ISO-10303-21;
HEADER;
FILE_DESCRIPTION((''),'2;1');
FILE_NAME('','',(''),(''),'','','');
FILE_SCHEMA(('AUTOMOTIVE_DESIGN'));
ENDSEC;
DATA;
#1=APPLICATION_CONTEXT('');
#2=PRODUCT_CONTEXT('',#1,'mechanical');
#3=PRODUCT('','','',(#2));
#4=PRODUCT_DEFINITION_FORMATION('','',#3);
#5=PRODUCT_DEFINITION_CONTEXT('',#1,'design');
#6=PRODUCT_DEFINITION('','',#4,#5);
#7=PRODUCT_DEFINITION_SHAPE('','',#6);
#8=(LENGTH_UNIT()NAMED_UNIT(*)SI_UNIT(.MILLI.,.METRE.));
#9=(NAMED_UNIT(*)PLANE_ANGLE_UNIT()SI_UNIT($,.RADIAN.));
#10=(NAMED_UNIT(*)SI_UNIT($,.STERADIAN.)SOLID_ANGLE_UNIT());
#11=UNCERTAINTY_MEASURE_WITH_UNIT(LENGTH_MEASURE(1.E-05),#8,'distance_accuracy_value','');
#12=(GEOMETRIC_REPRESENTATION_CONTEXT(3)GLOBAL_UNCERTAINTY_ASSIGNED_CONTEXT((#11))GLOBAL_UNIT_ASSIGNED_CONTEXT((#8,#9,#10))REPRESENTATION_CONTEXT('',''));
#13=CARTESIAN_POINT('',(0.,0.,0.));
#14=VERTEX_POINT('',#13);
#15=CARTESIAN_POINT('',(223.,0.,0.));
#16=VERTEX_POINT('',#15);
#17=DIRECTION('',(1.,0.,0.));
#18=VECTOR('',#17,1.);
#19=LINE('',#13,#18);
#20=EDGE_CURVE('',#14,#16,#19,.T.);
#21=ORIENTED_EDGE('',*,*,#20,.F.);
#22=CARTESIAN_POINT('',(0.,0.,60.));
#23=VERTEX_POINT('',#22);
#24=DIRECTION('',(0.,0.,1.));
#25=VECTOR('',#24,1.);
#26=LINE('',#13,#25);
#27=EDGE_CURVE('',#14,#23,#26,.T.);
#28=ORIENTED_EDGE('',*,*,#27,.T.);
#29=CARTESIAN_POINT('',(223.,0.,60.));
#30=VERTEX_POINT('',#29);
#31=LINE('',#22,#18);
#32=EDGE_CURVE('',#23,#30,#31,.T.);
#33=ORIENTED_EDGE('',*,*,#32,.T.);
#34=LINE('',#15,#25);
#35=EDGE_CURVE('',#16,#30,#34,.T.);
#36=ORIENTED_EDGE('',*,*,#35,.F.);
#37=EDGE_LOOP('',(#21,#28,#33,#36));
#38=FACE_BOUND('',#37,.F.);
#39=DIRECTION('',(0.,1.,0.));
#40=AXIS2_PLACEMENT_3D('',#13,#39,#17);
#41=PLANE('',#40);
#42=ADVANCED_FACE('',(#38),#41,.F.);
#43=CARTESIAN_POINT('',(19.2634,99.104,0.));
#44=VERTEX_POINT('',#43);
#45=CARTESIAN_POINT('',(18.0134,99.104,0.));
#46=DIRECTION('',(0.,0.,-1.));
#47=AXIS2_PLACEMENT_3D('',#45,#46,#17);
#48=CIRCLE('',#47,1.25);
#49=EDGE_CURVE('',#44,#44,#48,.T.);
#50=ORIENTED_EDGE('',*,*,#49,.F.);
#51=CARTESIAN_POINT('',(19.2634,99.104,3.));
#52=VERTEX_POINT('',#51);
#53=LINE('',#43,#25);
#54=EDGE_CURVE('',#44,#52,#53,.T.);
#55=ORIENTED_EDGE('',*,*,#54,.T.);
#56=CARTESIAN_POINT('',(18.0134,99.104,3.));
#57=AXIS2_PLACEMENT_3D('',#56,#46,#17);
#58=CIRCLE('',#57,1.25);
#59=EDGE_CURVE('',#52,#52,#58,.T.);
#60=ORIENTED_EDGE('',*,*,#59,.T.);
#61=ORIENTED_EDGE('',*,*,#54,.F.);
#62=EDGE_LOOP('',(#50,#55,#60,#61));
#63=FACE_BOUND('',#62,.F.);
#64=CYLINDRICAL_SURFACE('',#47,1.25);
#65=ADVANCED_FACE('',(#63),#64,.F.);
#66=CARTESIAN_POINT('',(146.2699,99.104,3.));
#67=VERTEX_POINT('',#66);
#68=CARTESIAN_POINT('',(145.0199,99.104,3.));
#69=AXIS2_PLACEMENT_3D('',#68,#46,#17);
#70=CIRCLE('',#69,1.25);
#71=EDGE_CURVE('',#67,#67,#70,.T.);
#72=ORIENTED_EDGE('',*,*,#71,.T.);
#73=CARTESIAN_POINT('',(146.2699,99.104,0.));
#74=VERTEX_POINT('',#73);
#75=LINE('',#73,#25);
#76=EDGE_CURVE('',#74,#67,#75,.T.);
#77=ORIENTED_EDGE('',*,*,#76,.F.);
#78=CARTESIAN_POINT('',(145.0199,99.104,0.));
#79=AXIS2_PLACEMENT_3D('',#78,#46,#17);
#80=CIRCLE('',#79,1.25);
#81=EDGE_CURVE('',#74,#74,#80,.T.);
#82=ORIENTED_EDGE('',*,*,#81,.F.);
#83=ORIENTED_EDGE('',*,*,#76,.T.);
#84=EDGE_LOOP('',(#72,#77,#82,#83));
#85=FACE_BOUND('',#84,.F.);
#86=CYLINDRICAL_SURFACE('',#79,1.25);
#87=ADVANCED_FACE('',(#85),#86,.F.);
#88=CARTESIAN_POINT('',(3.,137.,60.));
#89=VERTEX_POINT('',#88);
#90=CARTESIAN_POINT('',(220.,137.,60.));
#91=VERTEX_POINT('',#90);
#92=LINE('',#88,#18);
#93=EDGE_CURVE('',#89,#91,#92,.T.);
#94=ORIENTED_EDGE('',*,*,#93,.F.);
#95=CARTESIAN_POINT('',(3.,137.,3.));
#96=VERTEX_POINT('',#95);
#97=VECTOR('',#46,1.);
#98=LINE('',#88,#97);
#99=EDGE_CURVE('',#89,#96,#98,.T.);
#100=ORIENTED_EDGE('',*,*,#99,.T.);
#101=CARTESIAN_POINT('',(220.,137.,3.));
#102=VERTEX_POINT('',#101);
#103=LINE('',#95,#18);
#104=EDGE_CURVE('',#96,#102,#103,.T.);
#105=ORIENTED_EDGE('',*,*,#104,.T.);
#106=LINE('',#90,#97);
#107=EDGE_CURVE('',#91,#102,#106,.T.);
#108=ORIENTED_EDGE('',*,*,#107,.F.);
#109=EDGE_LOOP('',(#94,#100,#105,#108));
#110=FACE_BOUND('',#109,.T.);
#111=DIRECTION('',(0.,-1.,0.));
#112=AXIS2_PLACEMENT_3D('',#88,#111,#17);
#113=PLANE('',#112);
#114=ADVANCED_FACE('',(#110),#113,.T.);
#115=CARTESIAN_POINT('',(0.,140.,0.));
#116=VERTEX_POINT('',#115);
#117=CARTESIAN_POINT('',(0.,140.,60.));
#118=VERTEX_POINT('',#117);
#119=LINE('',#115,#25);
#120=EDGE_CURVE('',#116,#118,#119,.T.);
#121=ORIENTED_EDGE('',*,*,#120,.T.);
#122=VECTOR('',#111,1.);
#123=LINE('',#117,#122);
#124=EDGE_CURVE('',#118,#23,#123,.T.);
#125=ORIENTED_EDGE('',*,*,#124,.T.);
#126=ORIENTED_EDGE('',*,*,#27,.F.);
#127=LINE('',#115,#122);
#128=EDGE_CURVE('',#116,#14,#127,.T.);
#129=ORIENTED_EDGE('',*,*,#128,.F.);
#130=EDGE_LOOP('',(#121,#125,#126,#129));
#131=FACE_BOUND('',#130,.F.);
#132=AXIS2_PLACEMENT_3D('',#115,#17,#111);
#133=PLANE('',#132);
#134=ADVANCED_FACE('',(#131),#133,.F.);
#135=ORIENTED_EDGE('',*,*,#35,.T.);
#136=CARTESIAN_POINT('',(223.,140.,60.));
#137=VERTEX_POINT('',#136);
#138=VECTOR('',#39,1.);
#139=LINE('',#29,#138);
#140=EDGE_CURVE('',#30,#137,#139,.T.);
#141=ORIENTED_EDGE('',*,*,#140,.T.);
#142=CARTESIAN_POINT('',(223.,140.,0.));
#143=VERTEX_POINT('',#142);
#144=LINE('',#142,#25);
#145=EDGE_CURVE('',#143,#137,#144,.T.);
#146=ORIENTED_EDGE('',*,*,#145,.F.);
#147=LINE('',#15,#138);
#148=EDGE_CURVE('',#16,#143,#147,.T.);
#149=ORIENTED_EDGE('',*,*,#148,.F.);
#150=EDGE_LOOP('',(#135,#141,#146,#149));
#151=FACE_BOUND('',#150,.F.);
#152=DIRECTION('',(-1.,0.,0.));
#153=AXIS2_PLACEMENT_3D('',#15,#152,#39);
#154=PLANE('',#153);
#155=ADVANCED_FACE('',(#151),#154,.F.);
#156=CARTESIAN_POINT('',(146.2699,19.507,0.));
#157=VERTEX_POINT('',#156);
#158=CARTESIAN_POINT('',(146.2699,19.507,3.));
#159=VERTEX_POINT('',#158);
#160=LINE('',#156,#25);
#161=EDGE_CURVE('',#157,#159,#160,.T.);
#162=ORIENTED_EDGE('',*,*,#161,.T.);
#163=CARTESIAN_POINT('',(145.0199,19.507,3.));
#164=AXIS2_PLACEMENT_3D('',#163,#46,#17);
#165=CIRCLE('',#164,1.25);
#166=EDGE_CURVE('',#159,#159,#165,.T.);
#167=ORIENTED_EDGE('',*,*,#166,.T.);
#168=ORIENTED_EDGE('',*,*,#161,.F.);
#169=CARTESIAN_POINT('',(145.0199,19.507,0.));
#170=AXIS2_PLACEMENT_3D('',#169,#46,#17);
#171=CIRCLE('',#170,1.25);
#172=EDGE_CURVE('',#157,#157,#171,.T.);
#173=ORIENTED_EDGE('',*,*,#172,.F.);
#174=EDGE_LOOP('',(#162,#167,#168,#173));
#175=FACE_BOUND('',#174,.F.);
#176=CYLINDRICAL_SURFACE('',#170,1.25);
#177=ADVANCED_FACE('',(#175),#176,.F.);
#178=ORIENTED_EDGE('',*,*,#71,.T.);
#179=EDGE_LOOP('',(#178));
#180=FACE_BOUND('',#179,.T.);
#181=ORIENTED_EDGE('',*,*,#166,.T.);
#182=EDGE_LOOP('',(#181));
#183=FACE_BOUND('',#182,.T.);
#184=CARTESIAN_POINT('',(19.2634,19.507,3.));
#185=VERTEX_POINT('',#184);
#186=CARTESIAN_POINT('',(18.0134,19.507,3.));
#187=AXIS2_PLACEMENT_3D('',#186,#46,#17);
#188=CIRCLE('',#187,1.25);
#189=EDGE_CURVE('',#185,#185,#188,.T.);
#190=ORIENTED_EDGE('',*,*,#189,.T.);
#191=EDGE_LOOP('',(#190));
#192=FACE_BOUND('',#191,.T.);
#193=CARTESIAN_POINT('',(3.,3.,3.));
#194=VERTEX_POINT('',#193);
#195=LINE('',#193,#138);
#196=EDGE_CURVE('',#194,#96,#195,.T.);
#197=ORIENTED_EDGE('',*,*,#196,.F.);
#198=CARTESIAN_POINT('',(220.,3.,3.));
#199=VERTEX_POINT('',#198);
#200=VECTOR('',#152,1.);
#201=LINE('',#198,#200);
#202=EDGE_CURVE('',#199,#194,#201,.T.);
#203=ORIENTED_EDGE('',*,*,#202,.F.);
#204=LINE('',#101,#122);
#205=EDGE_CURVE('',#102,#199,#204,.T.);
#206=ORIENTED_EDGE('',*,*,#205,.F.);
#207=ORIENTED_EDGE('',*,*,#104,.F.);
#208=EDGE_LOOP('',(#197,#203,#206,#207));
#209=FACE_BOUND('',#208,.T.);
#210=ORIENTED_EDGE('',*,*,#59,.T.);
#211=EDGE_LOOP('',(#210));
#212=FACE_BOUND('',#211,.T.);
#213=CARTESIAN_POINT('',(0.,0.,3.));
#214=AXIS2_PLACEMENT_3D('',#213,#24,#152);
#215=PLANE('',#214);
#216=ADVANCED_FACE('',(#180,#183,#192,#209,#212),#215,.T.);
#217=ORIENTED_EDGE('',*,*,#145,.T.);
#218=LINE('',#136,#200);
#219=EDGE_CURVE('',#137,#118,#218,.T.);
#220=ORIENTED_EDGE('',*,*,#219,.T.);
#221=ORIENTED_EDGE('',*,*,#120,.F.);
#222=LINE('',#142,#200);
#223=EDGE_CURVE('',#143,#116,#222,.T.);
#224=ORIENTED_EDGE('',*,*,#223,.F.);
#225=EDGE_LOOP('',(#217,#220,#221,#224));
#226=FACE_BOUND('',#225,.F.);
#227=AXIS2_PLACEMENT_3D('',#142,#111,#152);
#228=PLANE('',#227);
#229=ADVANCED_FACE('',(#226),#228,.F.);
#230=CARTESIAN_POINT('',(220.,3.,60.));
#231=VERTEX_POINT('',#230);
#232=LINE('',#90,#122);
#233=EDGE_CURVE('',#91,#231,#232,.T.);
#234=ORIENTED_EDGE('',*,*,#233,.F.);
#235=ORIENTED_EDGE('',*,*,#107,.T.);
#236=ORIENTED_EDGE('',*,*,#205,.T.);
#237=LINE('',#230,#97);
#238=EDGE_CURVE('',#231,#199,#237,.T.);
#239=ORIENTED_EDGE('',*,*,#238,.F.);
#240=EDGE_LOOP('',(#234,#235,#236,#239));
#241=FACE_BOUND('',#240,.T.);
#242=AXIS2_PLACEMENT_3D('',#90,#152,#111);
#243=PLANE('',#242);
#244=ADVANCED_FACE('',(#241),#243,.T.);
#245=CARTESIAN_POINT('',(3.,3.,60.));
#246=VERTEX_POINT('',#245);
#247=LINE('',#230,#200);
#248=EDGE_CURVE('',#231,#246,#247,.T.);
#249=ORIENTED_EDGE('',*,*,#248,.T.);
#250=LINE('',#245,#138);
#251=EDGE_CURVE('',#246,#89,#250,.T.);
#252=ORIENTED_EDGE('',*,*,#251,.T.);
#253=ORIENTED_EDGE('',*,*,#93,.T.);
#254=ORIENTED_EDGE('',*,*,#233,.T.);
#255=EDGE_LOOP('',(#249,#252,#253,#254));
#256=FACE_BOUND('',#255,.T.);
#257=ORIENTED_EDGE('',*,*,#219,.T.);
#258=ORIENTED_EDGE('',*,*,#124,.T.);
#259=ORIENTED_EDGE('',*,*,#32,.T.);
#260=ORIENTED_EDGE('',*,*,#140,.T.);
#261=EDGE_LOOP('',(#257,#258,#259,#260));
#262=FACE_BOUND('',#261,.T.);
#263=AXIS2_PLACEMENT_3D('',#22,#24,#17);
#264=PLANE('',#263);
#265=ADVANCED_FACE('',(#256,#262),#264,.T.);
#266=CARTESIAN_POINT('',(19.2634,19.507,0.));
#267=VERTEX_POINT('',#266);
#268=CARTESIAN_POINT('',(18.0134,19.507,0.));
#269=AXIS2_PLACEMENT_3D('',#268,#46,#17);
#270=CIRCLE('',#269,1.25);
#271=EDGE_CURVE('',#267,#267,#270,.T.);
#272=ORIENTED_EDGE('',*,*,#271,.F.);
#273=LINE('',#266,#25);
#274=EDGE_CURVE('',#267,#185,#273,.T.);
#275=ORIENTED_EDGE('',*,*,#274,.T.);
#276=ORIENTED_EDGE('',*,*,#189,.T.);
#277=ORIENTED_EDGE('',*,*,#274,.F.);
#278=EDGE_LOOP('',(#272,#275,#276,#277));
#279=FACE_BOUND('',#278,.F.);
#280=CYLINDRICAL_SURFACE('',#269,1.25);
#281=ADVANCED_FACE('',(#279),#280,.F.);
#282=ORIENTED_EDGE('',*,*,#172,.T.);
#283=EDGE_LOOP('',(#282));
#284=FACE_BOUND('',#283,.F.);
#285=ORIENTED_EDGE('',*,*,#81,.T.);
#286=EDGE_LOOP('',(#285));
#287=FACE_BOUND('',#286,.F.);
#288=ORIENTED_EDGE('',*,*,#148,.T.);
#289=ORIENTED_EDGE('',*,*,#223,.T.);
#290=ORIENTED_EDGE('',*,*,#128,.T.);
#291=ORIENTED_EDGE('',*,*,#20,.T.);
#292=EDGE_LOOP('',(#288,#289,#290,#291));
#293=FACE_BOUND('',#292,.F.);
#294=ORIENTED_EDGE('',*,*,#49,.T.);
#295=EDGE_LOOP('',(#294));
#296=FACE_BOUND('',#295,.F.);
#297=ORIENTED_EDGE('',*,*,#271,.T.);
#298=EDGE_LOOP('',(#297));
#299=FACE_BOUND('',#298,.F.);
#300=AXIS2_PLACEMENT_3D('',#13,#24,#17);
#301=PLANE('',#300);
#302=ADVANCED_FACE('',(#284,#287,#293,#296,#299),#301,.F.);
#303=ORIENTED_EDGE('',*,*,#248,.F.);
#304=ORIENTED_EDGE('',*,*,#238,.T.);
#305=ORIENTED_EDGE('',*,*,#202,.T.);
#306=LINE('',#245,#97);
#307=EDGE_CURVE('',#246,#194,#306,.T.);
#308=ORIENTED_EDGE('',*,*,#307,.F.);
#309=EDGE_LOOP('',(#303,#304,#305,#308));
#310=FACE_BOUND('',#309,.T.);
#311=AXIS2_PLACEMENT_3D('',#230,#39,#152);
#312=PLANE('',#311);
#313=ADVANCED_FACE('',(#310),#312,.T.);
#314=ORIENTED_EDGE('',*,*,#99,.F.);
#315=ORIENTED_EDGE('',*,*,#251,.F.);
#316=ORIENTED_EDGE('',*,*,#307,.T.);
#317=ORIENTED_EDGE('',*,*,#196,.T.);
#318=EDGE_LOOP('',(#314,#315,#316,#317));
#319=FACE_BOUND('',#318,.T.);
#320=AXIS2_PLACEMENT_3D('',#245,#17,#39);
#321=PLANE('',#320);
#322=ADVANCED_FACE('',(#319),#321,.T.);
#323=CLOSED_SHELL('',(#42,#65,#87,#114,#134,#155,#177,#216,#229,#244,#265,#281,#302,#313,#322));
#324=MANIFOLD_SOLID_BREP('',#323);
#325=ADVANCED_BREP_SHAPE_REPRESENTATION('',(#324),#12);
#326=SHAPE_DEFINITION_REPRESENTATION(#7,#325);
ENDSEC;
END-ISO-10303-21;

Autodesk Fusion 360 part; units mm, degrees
sketch "Sketch1" plane through (0, 0, 0) normal (0, 0, 1) x (1, 0, 0)
  line L0 (0, 0) -> (223, 0)
  line L1 (223, 0) -> (223, 140)
  line L2 (223, 140) -> (0, 140)
  line L3 (0, 140) -> (0, 0)
  dimension "d1" = 223
  dimension "d2" = 140
extrude "Extrude1" add sketch "Sketch1" along normal blind 60
sketch "Sketch2" plane through (0, 0, 60) normal (0, 0, 1) x (-1, 0, 0)
  line L0 (0, -140) -> (0, 0)
  line L1 (0, 0) -> (-223, 0)
  line L2 (-223, 0) -> (-223, -140)
  line L3 (-223, -140) -> (0, -140)
  line L4 (-3, -137) -> (-220, -137)
  line L5 (-220, -137) -> (-220, -3)
  line L6 (-220, -3) -> (-3, -3)
  line L7 (-3, -3) -> (-3, -137)
  dimension "d5" = 3
  dimension "d6" = 3
  dimension "d7" = 3
  dimension "d8" = 3
extrude "Extrude2" cut sketch "Sketch2" against normal blind 57 contours L4 L5 L6 L7
sketch "Sketch3" plane through (0, 0, 0) normal (0, 0, -1) x (1, 0, 0)
  line L0 (0, 0) -> (0, -140)
  line L1 (0, -140) -> (223, -140)
  line L2 (223, -140) -> (223, 0)
  line L3 (223, 0) -> (0, 0)
  line L4 (205.0199, -4.8072) -> (6.0134, -4.8072) construction
  line L5 (6.0134, -113.804) -> (205.0199, -113.804) construction
  line L6 (205.0199, -113.804) -> (9.7448, -113.804) construction
  line L7 (205.0199, -59.3055) -> (147.0519, -59.3055) construction
  circle A0 centre (145.0199, -99.104) radius 1.25
  circle A1 centre (145.0199, -19.507) radius 1.25
  circle A2 centre (18.0134, -99.104) radius 1.25
  line L8 (6.0134, -4.8072) -> (6.0134, -113.804) construction
  line L9 (205.0199, -113.804) -> (205.0199, -4.8072) construction
  line L10 (6.0134, -111.0749) -> (6.0134, -6.1412) construction
  circle A3 centre (18.0134, -19.507) radius 1.25
  point P0 (180.3238, -104.2905)
  dimension "d11" = 12
  dimension "d12" = 14.7
  dimension "d13" = 2.5
  dimension "d17" = 108.9968
  dimension "d18" = 54.4985
  dimension "d19" = 2.5
  dimension "d20" = 60
  dimension "d21" = 14.7
extrude "Extrude3" cut sketch "Sketch3" against normal up to surface (3 mm away) contours A0 | A1 | A2 | A3
